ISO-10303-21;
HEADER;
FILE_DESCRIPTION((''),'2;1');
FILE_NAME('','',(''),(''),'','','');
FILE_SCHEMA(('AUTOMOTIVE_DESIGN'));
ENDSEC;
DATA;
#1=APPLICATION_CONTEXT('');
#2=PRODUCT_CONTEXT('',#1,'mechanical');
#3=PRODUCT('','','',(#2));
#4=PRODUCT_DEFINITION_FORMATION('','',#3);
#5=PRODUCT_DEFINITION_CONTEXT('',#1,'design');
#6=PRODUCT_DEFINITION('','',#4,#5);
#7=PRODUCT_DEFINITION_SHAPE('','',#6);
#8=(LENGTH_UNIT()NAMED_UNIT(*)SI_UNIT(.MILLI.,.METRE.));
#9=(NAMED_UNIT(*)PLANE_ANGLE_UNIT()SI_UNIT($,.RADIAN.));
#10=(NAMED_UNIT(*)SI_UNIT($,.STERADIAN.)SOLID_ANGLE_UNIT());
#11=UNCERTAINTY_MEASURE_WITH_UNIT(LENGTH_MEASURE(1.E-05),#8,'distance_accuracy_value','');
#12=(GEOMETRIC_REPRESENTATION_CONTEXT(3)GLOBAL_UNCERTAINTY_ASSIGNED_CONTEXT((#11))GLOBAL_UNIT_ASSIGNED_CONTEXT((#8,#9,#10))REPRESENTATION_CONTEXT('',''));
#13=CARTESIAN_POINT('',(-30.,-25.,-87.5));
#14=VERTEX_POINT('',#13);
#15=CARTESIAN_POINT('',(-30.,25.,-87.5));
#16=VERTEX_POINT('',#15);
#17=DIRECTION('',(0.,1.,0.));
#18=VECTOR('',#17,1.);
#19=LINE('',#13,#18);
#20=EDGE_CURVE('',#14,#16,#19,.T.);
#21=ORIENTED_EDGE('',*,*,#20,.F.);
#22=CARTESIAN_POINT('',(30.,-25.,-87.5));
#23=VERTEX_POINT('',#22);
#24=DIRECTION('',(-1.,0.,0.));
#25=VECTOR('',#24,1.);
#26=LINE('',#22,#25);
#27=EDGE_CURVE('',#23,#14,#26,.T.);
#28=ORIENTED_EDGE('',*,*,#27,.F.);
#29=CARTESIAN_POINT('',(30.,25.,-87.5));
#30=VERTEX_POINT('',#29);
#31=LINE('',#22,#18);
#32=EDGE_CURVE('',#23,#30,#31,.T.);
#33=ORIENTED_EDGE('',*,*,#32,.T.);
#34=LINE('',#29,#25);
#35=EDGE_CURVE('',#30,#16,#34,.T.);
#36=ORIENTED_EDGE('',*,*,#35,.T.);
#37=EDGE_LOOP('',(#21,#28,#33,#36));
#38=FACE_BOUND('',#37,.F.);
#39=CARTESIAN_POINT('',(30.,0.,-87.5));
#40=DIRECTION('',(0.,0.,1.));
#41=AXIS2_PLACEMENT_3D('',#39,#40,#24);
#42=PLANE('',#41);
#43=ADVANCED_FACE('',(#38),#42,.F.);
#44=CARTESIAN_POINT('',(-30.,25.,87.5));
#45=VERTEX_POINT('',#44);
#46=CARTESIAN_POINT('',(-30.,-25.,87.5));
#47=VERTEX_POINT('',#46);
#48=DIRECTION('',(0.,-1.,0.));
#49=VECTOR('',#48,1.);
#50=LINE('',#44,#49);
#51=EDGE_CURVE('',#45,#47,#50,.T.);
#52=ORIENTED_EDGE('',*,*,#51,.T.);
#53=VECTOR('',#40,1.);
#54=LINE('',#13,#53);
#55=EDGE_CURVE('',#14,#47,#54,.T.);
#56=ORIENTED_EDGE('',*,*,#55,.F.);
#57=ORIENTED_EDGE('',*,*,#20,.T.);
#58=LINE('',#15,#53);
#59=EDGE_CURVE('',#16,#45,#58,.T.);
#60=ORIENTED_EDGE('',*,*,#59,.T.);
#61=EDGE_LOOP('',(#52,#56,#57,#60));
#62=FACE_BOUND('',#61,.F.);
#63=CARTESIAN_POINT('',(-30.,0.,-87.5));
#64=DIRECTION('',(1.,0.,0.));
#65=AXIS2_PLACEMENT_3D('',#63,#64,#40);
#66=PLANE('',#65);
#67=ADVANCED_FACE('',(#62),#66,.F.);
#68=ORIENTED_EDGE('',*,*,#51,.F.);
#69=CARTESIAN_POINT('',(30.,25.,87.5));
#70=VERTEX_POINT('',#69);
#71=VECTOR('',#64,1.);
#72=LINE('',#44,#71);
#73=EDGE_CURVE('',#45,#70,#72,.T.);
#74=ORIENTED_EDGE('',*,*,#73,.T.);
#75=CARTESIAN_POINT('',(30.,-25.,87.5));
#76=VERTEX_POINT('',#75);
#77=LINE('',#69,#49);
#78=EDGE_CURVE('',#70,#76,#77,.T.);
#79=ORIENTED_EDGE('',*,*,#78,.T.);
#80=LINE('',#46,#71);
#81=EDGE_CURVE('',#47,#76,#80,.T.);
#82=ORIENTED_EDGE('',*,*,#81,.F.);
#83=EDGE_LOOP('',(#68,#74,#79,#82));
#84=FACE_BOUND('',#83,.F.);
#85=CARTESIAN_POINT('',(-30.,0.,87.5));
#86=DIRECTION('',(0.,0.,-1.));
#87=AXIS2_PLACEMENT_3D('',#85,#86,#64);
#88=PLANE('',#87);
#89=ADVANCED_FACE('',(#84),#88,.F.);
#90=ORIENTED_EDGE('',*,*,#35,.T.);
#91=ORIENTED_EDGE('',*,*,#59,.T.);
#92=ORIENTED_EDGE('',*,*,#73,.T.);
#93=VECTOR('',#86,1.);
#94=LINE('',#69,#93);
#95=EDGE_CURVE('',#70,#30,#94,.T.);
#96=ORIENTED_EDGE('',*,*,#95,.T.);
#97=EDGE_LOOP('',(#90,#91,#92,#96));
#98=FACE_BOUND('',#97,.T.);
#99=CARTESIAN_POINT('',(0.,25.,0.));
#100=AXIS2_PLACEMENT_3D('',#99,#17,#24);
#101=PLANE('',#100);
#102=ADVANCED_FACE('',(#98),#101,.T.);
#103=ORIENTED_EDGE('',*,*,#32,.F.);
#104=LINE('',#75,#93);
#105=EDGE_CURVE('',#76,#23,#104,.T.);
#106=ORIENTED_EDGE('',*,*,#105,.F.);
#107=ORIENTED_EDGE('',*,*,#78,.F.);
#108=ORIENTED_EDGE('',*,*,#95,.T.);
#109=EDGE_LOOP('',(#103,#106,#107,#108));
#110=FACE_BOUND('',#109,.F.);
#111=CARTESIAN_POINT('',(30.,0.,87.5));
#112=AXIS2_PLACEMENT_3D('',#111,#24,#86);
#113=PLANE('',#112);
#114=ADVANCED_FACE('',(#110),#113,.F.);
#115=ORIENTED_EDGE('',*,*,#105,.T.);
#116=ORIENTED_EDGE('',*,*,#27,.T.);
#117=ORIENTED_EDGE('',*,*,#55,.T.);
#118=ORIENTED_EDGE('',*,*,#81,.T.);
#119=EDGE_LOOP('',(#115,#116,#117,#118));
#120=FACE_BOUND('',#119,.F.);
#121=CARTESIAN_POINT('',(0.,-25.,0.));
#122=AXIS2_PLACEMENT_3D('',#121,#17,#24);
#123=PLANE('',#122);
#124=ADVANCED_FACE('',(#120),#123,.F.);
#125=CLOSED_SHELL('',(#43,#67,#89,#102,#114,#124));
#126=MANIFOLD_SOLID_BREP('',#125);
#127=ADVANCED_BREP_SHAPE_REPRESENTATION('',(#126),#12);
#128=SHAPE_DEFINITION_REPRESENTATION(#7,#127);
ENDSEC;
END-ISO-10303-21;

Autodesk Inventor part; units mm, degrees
ref_plane "YZ Plane" through (0, 0, 0) normal (1, 0, 0) x (0, 1, 0)
ref_plane "XZ Plane" through (0, 0, 0) normal (0, 1, 0) x (-1, 0, 0)
ref_plane "XY Plane" through (0, 0, 0) normal (0, 0, 1) x (1, 0, 0)
sketch "Эскиз1" plane through (0, 0, 0) normal (0, 1, 0) x (-1, 0, 0)
  line L0 (-30, -87.5) -> (30, -87.5)
  line L1 (30, -87.5) -> (30, 87.5)
  line L2 (30, 87.5) -> (-30, 87.5)
  line L3 (-30, 87.5) -> (-30, -87.5)
  line L4 (-30, -87.5) -> (30, 87.5) construction
  line L5 (30, -87.5) -> (-30, 87.5) construction
  point P0 (0, 0)
  dimension "d0" = 60
  dimension "d1" = 175
extrude "Выдавливание1" add sketch "Эскиз1" along normal mid plane 50
properties part number "Lipo Battery 9500mAh 22.2V"
